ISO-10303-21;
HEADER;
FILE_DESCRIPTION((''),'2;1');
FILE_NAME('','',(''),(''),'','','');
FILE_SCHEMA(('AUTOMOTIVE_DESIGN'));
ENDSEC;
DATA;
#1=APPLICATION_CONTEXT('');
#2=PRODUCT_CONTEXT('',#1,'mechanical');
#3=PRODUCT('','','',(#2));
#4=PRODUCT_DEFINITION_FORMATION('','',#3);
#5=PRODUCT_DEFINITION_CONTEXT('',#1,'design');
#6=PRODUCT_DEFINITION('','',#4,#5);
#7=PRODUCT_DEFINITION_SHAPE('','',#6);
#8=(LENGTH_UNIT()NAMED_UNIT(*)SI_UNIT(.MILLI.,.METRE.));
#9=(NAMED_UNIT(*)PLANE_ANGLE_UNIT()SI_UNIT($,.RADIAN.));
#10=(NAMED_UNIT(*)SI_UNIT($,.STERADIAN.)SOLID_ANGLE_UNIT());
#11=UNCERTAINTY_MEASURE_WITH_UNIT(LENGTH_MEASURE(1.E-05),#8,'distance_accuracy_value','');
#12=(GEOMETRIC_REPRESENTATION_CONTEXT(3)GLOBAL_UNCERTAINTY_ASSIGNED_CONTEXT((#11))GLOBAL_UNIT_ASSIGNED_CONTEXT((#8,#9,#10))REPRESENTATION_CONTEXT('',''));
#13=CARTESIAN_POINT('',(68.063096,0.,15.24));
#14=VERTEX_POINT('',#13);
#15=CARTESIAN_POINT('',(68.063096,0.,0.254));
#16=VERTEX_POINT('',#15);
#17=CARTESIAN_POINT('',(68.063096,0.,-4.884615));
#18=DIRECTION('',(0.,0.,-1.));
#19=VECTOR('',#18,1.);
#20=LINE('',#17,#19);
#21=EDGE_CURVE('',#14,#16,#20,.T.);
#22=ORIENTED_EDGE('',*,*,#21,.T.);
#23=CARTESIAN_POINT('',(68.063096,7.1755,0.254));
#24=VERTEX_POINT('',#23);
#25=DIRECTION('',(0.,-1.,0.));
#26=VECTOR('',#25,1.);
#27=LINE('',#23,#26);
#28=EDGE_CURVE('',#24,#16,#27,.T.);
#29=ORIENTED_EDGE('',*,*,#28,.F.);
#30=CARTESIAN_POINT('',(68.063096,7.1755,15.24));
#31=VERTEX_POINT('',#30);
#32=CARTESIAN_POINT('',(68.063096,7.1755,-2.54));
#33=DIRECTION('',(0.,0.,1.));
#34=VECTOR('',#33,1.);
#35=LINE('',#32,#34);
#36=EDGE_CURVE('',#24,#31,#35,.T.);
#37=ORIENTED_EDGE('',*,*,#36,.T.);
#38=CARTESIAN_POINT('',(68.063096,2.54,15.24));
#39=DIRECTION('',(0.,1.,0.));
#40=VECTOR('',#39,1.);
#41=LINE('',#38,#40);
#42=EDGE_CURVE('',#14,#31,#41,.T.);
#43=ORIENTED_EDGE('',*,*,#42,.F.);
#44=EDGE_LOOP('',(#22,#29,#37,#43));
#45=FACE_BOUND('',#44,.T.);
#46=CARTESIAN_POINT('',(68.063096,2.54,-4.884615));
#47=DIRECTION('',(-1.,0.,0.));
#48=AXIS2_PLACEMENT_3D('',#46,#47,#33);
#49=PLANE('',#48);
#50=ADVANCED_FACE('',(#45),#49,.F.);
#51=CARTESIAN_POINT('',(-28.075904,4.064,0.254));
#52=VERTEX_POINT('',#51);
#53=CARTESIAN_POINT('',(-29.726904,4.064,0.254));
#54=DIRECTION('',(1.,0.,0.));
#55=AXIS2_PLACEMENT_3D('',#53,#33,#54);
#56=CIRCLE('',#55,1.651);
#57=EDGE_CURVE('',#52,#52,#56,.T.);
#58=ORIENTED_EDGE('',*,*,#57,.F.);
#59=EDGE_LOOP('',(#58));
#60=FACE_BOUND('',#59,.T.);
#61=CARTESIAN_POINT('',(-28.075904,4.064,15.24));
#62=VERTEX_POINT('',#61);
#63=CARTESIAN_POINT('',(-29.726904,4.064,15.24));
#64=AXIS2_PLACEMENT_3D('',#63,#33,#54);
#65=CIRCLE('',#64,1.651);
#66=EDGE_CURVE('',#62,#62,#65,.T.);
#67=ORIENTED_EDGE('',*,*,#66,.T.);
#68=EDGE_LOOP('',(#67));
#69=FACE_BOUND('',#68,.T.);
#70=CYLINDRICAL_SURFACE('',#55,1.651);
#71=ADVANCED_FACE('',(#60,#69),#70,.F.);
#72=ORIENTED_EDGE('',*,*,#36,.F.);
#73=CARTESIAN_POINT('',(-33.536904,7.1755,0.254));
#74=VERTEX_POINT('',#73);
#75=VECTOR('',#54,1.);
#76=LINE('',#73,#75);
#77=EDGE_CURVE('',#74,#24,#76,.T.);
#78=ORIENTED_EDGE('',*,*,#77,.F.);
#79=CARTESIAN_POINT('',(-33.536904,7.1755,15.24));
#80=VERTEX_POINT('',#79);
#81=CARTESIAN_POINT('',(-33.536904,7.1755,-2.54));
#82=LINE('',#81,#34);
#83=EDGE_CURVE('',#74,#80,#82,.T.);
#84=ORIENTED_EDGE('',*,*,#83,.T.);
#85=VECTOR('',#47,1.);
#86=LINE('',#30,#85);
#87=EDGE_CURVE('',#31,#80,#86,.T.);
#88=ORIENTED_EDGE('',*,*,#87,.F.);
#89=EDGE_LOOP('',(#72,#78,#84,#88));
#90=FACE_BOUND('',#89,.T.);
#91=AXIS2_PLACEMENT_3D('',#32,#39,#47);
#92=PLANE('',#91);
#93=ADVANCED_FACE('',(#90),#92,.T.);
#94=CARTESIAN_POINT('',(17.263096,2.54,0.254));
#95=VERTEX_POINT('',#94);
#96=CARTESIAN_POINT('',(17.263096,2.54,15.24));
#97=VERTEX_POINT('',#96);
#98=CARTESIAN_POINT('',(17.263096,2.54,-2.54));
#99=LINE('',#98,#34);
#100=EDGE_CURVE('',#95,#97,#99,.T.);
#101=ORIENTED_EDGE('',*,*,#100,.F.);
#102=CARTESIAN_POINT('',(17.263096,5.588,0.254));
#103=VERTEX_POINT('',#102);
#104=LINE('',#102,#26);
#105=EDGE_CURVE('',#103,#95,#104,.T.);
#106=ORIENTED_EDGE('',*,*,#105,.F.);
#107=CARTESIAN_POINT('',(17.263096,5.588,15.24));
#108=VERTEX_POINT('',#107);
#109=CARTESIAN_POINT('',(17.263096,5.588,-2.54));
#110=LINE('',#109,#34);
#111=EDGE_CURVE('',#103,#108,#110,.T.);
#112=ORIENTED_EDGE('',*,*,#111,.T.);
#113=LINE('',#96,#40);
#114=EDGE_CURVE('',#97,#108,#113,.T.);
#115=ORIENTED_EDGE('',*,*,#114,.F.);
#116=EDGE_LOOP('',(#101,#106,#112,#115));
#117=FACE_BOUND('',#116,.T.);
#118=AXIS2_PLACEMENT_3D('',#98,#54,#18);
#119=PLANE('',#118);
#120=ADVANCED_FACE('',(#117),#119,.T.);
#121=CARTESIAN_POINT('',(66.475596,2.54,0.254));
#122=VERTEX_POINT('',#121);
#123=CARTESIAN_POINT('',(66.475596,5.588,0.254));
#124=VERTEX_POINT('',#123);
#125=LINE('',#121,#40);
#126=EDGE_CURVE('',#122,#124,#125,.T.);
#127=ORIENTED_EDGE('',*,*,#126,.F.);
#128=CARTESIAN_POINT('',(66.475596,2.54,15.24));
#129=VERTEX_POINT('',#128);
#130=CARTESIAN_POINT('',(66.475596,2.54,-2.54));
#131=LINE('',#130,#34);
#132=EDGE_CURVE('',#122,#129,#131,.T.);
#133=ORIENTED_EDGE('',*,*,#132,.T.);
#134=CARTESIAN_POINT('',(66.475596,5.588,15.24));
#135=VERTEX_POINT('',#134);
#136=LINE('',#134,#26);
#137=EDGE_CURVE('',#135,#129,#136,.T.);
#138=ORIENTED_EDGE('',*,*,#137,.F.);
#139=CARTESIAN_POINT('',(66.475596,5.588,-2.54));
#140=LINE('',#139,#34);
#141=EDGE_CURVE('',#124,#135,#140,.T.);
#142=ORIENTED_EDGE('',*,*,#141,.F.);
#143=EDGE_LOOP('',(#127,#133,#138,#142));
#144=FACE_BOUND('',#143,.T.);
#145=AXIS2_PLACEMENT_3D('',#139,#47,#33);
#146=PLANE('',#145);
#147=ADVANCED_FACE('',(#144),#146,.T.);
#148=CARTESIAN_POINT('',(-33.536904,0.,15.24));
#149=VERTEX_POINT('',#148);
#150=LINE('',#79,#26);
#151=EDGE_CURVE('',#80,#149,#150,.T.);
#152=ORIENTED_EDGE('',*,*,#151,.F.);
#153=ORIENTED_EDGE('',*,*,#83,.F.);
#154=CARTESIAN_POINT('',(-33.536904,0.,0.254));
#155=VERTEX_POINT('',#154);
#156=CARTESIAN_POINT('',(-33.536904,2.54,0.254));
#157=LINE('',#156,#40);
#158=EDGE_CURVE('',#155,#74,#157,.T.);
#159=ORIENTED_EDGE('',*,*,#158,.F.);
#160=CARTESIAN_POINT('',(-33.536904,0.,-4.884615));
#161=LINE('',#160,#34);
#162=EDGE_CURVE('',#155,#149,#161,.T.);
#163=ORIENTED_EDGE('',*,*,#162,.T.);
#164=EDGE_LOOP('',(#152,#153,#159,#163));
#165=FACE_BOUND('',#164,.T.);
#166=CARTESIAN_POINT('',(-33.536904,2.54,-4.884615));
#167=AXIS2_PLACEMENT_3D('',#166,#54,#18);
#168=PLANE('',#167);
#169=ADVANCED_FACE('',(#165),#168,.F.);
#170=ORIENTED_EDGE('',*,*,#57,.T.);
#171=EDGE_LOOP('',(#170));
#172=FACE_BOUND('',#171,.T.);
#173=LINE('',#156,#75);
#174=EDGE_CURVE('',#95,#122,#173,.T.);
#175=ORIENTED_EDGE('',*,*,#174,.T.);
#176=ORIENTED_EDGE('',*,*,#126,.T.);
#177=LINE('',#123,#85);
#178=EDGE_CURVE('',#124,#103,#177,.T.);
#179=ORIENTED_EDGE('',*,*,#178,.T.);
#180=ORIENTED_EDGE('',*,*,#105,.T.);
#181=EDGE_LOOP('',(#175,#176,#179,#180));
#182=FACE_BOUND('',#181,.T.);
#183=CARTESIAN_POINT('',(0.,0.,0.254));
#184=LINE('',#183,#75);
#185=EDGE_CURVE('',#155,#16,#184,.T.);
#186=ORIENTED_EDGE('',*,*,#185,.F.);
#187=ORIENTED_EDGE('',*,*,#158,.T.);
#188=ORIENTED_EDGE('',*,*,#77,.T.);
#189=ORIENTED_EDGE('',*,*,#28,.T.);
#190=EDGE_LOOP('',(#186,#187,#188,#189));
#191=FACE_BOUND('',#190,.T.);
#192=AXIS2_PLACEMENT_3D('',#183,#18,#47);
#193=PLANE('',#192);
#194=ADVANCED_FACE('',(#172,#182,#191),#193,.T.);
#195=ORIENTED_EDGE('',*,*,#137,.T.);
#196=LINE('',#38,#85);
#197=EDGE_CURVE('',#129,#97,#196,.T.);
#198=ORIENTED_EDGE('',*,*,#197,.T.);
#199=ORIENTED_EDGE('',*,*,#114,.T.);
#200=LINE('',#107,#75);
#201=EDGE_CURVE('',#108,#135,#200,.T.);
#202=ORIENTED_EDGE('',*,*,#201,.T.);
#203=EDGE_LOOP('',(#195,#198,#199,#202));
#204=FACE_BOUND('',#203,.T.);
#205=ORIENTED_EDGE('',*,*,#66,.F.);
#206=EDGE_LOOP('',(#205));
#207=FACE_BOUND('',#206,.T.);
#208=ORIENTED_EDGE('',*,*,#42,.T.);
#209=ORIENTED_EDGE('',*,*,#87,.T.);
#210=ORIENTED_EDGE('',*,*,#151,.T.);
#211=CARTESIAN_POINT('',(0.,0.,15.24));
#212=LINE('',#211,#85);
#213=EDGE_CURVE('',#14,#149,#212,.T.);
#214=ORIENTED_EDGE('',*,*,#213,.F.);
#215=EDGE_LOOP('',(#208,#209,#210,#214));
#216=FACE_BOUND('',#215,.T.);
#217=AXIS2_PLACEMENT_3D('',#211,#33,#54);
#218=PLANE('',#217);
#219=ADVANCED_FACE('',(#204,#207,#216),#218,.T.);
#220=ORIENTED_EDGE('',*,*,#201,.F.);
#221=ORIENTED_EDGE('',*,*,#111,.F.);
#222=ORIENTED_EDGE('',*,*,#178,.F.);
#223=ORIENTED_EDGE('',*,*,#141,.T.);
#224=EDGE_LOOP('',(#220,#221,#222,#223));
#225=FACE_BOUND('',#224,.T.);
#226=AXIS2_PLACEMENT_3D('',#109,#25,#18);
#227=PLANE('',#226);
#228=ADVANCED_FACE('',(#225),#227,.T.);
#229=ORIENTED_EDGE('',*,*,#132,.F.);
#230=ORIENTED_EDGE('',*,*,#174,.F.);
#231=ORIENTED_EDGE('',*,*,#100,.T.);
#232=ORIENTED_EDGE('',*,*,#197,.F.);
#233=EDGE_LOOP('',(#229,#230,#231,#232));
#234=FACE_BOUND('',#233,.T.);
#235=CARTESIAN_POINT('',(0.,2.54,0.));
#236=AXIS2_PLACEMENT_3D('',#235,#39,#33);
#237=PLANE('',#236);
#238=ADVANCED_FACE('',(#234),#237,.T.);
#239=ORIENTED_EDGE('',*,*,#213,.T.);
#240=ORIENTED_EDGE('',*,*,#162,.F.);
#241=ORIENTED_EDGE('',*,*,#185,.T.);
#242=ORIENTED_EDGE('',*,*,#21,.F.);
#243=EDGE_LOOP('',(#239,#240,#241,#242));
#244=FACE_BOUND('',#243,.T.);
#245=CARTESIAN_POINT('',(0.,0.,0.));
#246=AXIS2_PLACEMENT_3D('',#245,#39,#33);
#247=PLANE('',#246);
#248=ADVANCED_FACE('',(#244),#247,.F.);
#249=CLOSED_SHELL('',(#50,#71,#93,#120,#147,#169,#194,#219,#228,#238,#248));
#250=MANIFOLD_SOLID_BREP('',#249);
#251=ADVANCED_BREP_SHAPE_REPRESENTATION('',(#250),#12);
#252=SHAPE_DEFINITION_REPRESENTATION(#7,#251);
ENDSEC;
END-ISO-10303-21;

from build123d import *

# Parameters (mm, degrees)
SKETCH1_W                = 101.6
SKETCH1_H                = 25.4
BOSS_EXTRUDE1_DEPTH      = 2.54
BOSS_EXTRUDE2_DEPTH      = 19.05
BOSS_EXTRUDE2_DEPTH_BACK = 2.54
CUT_EXTRUDE1_DEPTH       = 3.81
CUT_EXTRUDE2_DEPTH       = 2.794
SKETCH5_W                = 101.6
SKETCH5_H                = 5.138615385
SKETCH5_H_2              = 5.275384615
CUT_EXTRUDE3_DEPTH       = 3.556
SKETCH6_R                = 1.651
CUT_EXTRUDE4_DEPTH       = 71.061780504


with BuildPart() as part:
    # Sketch1 → Boss-Extrude1 (new body)
    with BuildSketch(Plane(origin=(0, 0, 0), x_dir=(1, 0, 0), z_dir=(0, 1, 0))):
        with Locations((17.263096397, -7.815384615)):
            Rectangle(SKETCH1_W, SKETCH1_H)
    extrude(amount=BOSS_EXTRUDE1_DEPTH)

    # Sketch2 → Boss-Extrude2 (add, two sides: drawn at the far end of the back side and taken through both)
    with BuildSketch(Plane.XY.offset(-BOSS_EXTRUDE2_DEPTH_BACK)):
        Polygon((17.263096397, 2.54), (17.263096397, 5.588), (66.475596397, 5.588), (66.475596397, 2.54), (68.063096397, 2.54), (68.063096397, 7.1755), (-33.536903603, 7.1755), (-33.536903603, 2.54), align=None)
    extrude(amount=BOSS_EXTRUDE2_DEPTH + BOSS_EXTRUDE2_DEPTH_BACK)

    # Sketch3 → Cut-Extrude1 (cut)
    with BuildSketch(Plane.XY.offset(19.05)):
        Polygon((-33.536903603, 7.1755), (-33.536903603, 2.54), (17.263096397, 2.54), (17.263096397, 5.588), (66.475596397, 5.588), (66.475596397, 2.54), (68.063096397, 2.54), (68.063096397, 7.1755), align=None)
    extrude(amount=-CUT_EXTRUDE1_DEPTH, mode=Mode.SUBTRACT)

    # Sketch4 → Cut-Extrude2 (cut)
    with BuildSketch(Plane(origin=(0, 0, -2.54), x_dir=(-1, 0, 0), z_dir=(0, 0, -1))):
        Polygon((-68.063096397, 7.1755), (-68.063096397, 2.54), (-66.475596397, 2.54), (-66.475596397, 5.588), (-17.263096397, 5.588), (-17.263096397, 2.54), (33.536903603, 2.54), (33.536903603, 7.1755), align=None)
    extrude(amount=-CUT_EXTRUDE2_DEPTH, mode=Mode.SUBTRACT)

    # Sketch5 → Cut-Extrude3 (cut)
    with BuildSketch(Plane(origin=(0, 2.54, 0), x_dir=(1, 0, 0), z_dir=(0, 1, 0))):
        with Locations((17.263096397, 2.315307693)):
            Rectangle(SKETCH5_W, SKETCH5_H)
        with Locations((17.263096397, -17.877692308)):
            Rectangle(SKETCH5_W, SKETCH5_H_2)
    extrude(amount=-CUT_EXTRUDE3_DEPTH, mode=Mode.SUBTRACT)

    # Sketch6 → Cut-Extrude4 (cut, through all)
    with BuildSketch(Plane.XY.offset(15.24)):
        with Locations((-29.726903603, 4.064)):
            Circle(SKETCH6_R)
    extrude(amount=-CUT_EXTRUDE4_DEPTH, mode=Mode.SUBTRACT)


solid = part.part
